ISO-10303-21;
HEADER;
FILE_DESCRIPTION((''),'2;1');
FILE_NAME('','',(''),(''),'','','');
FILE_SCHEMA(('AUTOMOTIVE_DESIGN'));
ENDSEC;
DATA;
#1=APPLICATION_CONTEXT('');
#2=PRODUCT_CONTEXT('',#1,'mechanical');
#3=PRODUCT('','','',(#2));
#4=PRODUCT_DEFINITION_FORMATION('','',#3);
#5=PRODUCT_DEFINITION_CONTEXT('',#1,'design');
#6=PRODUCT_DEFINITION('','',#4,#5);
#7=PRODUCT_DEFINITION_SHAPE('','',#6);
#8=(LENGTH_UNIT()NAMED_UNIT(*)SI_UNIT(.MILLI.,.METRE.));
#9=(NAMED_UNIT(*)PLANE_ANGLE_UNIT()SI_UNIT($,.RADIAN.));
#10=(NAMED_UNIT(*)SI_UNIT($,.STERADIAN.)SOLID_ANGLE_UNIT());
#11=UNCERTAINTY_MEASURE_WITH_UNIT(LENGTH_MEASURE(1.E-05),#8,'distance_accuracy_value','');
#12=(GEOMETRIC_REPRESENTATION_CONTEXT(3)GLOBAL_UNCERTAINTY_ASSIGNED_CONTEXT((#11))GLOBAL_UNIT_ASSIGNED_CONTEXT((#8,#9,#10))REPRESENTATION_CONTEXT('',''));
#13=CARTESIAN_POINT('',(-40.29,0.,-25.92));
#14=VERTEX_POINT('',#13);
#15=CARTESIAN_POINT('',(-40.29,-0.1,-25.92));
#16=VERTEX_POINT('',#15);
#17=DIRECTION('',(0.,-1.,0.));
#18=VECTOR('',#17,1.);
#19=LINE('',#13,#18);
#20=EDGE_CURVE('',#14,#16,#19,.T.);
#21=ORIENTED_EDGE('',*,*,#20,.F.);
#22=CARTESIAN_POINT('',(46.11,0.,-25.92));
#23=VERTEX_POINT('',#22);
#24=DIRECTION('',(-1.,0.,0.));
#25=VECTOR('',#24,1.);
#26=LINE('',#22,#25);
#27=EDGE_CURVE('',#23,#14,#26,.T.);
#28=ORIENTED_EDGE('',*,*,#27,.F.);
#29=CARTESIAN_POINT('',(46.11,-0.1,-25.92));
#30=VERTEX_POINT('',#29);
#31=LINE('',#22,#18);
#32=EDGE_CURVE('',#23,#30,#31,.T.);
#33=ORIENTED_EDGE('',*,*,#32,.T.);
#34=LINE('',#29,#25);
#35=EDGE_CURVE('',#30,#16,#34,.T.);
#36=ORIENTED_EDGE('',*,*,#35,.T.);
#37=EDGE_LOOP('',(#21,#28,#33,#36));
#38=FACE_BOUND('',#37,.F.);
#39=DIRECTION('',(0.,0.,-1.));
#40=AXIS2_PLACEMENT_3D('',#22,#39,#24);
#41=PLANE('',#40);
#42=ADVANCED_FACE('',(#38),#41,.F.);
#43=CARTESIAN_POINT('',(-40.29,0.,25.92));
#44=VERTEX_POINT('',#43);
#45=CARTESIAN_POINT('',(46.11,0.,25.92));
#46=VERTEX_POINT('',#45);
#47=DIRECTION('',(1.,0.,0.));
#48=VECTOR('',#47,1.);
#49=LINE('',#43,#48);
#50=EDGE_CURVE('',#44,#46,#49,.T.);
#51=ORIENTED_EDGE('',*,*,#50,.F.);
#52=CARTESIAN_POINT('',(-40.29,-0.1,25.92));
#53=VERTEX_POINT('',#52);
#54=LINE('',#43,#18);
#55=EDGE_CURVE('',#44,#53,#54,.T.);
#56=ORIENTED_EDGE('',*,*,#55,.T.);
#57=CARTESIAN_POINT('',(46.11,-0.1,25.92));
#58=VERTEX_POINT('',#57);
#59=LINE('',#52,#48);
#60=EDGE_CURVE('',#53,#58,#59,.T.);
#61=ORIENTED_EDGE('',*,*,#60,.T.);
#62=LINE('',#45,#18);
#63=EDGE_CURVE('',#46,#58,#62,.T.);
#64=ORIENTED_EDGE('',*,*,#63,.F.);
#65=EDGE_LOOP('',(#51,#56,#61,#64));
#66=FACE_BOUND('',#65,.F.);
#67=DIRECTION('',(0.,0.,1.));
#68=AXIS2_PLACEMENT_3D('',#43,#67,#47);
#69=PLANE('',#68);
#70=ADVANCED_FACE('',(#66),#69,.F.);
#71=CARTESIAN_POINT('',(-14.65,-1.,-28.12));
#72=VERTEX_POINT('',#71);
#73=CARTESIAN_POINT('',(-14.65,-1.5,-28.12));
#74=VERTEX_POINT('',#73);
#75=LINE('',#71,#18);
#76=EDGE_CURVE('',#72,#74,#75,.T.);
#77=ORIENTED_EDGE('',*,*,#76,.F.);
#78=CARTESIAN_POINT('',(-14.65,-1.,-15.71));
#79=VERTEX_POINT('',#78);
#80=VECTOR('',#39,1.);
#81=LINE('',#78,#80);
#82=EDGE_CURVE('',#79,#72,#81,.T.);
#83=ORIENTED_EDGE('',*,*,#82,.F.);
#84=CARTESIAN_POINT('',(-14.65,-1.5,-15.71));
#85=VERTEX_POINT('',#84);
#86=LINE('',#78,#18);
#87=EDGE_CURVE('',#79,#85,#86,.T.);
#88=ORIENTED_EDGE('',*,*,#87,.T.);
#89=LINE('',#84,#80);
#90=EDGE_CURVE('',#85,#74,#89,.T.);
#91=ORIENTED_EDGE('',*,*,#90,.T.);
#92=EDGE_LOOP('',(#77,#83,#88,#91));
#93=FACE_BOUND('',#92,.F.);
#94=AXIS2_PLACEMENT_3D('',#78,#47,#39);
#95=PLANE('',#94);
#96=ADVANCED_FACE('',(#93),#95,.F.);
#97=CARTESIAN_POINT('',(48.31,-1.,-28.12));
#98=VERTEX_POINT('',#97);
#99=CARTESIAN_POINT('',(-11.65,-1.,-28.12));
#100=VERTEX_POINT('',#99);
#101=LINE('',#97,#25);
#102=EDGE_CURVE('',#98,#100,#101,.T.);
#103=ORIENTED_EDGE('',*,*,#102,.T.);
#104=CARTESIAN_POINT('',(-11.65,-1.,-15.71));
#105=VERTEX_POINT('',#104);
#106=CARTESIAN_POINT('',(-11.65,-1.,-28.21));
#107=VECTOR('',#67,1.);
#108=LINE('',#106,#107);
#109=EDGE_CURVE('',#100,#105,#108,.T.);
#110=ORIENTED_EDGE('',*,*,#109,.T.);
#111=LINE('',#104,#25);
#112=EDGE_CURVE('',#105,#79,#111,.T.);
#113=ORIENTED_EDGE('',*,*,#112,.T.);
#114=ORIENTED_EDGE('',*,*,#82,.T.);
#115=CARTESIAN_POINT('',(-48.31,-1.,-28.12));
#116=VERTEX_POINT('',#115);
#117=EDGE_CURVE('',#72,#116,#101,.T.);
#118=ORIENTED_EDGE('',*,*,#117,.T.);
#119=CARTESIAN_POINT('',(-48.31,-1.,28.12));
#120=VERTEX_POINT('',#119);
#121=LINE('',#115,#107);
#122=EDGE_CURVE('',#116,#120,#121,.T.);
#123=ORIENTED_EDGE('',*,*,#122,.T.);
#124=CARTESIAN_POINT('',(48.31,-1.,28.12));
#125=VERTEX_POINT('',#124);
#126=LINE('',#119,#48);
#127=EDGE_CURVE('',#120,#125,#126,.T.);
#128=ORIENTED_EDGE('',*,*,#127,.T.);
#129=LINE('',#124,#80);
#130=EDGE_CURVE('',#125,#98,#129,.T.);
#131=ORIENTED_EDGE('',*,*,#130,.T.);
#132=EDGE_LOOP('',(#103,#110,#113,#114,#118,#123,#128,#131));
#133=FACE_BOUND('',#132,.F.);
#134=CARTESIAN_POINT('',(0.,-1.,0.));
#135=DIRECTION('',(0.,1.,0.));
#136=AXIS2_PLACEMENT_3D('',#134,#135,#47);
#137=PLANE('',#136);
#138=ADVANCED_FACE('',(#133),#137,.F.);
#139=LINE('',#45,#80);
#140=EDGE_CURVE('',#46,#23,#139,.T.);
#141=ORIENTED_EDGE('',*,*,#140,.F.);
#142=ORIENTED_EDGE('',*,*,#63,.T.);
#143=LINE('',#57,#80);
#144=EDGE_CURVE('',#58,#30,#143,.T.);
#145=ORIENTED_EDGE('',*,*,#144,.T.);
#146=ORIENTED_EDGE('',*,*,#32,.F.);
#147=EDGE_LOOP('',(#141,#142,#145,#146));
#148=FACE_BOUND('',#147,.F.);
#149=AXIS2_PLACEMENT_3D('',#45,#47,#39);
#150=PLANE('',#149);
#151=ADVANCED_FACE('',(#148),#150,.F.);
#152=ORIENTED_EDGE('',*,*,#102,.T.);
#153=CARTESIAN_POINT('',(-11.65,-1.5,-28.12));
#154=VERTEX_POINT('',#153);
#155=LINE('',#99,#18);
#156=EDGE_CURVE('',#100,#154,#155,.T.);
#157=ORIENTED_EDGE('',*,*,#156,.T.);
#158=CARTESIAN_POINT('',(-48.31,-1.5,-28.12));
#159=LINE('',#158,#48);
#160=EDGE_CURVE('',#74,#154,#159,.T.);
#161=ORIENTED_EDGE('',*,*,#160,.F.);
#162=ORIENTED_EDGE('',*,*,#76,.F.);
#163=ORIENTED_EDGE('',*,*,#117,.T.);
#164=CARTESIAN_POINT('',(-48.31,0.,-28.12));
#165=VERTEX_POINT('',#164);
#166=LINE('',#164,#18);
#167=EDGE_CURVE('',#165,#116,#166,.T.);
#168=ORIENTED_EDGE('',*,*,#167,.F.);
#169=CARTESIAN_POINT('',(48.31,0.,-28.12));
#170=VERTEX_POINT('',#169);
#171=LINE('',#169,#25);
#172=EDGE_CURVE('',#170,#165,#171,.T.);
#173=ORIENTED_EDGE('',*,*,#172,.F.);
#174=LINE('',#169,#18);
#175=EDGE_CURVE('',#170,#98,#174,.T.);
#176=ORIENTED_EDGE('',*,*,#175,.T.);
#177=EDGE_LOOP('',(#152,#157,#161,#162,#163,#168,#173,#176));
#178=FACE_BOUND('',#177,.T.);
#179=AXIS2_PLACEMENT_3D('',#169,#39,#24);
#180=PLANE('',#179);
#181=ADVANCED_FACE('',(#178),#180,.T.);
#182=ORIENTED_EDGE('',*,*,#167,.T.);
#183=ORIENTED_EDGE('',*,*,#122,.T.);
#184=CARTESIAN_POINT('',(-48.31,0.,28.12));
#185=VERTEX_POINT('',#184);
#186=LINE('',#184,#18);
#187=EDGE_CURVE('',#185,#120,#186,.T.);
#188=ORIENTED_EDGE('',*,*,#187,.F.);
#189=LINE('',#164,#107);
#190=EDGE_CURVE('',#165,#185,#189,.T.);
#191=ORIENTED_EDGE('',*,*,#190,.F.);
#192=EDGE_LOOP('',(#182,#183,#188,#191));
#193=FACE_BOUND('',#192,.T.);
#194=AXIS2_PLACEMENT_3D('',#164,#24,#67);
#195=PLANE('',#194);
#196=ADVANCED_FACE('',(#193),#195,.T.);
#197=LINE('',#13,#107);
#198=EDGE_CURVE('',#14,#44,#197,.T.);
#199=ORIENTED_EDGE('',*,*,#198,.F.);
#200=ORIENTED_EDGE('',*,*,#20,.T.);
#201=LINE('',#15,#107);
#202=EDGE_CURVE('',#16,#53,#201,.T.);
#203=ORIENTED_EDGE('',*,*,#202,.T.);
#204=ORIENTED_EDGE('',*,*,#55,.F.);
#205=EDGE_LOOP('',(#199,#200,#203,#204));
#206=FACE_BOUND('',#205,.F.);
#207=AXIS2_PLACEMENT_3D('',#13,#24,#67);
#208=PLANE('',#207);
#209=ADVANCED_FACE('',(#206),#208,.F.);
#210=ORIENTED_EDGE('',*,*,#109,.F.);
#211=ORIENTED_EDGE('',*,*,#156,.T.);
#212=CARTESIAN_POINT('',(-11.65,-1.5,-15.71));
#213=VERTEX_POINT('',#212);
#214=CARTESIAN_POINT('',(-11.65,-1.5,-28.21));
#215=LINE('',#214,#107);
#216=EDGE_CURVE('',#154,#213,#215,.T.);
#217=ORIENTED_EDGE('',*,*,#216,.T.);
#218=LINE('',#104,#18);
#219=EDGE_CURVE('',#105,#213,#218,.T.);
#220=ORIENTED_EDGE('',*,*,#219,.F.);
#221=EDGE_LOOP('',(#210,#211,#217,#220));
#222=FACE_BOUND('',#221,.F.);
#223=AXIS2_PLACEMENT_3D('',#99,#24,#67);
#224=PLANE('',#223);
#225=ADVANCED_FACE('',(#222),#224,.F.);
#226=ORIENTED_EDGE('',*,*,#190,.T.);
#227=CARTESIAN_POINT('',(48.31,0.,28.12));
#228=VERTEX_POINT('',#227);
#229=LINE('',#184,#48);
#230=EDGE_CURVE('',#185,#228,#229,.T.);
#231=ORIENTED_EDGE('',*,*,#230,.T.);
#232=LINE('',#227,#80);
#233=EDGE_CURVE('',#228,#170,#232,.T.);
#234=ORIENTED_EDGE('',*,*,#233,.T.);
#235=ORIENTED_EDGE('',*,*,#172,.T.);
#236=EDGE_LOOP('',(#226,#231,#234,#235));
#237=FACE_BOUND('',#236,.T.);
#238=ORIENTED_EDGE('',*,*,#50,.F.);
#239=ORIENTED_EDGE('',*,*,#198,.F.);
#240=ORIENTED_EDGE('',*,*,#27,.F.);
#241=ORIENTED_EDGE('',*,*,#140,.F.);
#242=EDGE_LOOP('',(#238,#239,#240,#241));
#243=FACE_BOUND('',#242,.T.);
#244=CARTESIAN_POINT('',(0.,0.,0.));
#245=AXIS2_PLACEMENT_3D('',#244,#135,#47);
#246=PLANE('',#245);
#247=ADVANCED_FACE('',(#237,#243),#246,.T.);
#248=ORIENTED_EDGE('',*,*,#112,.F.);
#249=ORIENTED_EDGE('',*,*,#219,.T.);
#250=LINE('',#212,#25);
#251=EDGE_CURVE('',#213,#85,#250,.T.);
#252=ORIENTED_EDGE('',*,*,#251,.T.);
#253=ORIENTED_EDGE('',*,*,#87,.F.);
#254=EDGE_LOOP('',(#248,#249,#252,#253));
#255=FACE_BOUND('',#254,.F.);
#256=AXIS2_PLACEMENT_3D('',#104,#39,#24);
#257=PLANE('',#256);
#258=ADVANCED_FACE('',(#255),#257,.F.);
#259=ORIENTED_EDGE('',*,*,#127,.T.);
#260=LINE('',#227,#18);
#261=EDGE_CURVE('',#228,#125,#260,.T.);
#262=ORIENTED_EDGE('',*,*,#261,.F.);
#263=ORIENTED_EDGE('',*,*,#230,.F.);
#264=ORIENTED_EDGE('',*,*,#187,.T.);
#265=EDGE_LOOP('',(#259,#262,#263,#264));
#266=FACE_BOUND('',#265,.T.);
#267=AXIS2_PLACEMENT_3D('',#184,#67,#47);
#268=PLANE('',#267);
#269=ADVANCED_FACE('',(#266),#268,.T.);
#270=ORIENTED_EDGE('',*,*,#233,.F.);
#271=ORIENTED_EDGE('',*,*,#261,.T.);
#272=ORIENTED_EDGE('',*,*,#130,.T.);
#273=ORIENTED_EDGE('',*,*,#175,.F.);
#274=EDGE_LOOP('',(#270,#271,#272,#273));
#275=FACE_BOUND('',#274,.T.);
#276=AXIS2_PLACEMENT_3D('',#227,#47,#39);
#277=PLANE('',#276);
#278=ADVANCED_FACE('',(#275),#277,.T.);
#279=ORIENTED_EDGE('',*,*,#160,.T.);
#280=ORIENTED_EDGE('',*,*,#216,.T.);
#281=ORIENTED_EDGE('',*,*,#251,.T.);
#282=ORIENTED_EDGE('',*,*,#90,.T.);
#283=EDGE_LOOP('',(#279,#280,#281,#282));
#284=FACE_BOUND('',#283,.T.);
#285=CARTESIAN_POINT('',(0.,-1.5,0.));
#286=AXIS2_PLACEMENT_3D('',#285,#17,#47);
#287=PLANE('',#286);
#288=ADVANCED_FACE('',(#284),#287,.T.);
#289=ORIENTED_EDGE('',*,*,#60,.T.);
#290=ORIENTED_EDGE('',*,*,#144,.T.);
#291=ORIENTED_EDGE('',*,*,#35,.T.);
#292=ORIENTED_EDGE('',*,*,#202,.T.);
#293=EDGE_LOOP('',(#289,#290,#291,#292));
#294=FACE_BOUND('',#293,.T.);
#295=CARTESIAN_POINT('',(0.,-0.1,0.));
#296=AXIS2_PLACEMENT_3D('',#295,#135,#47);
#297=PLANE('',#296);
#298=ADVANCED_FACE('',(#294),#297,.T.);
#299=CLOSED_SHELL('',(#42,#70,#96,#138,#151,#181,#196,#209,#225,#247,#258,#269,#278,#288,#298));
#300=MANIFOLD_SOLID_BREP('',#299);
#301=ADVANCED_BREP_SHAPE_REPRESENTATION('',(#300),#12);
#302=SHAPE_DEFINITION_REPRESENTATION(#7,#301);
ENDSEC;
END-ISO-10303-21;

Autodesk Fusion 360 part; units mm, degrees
sketch "Sketch1" plane through (0, 0, 0) normal (0, 1, 0) x (1, 0, 0)
  line L0 (48.31, 28.12) -> (-48.31, 28.12)
  line L1 (-48.31, 28.12) -> (-48.31, -28.12)
  line L2 (-48.31, -28.12) -> (48.31, -28.12)
  line L3 (48.31, -28.12) -> (48.31, 28.12)
  line L4 (48.31, 28.12) -> (-48.31, -28.12) construction
  line L5 (-48.31, 28.12) -> (48.31, -28.12) construction
  line L6 (46.11, 25.92) -> (-40.29, 25.92)
  line L7 (-40.29, 25.92) -> (-40.29, -25.92)
  line L8 (-40.29, -25.92) -> (46.11, -25.92)
  line L9 (46.11, -25.92) -> (46.11, 25.92)
  line L10 (46.11, 25.92) -> (-40.29, -25.92) construction
  line L11 (-40.29, 25.92) -> (46.11, -25.92) construction
  point P0 (4.4468, -0.9221)
  dimension "d193" = 96.62
  dimension "d194" = 56.24
  dimension "d195" = 86.4
  dimension "d196" = 51.84
  dimension "d197" = 2.2
  dimension "d198" = 2.2
extrude "Extrude1" add sketch "Sketch1" against normal blind 1 contours L0 L1 L2 L3 | L6 L7 L8 L9
extrude "Extrude2" cut sketch "Sketch1" against normal blind 0.1 contours L6 L7 L8 L9
sketch "Sketch3" plane through (0, -1, 0) normal (0, -1, 0) x (1, 0, 0)
  line L0 (48.31, -28.12) -> (48.31, 28.12)
  line L1 (48.31, 28.12) -> (-48.31, 28.12)
  line L2 (-48.31, 28.12) -> (-48.31, -28.12)
  line L3 (-48.31, -28.12) -> (48.31, -28.12)
  line L4 (-14.65, -28.21) -> (-11.65, -28.21)
  line L5 (-11.65, -28.21) -> (-11.65, -15.71)
  line L6 (-11.65, -15.71) -> (-14.65, -15.71)
  line L7 (-14.65, -15.71) -> (-14.65, -28.21)
  line L8 (-14.65, -28.21) -> (-11.65, -15.71) construction
  line L9 (-11.65, -28.21) -> (-14.65, -15.71) construction
  line L10 (-48.31, 28.12) -> (48.31, 28.12)
  line L11 (-48.31, -28.12) -> (-48.31, 28.12)
  point P0 (-13.15, -21.96)
  dimension "d1" = 3
  dimension "d2" = 12.5
  dimension "d3" = 43.83
  dimension "d4" = 33.66
extrude "Extrude3" add sketch "Sketch3" along normal blind 0.5 contours L3 L5 L6 L7
